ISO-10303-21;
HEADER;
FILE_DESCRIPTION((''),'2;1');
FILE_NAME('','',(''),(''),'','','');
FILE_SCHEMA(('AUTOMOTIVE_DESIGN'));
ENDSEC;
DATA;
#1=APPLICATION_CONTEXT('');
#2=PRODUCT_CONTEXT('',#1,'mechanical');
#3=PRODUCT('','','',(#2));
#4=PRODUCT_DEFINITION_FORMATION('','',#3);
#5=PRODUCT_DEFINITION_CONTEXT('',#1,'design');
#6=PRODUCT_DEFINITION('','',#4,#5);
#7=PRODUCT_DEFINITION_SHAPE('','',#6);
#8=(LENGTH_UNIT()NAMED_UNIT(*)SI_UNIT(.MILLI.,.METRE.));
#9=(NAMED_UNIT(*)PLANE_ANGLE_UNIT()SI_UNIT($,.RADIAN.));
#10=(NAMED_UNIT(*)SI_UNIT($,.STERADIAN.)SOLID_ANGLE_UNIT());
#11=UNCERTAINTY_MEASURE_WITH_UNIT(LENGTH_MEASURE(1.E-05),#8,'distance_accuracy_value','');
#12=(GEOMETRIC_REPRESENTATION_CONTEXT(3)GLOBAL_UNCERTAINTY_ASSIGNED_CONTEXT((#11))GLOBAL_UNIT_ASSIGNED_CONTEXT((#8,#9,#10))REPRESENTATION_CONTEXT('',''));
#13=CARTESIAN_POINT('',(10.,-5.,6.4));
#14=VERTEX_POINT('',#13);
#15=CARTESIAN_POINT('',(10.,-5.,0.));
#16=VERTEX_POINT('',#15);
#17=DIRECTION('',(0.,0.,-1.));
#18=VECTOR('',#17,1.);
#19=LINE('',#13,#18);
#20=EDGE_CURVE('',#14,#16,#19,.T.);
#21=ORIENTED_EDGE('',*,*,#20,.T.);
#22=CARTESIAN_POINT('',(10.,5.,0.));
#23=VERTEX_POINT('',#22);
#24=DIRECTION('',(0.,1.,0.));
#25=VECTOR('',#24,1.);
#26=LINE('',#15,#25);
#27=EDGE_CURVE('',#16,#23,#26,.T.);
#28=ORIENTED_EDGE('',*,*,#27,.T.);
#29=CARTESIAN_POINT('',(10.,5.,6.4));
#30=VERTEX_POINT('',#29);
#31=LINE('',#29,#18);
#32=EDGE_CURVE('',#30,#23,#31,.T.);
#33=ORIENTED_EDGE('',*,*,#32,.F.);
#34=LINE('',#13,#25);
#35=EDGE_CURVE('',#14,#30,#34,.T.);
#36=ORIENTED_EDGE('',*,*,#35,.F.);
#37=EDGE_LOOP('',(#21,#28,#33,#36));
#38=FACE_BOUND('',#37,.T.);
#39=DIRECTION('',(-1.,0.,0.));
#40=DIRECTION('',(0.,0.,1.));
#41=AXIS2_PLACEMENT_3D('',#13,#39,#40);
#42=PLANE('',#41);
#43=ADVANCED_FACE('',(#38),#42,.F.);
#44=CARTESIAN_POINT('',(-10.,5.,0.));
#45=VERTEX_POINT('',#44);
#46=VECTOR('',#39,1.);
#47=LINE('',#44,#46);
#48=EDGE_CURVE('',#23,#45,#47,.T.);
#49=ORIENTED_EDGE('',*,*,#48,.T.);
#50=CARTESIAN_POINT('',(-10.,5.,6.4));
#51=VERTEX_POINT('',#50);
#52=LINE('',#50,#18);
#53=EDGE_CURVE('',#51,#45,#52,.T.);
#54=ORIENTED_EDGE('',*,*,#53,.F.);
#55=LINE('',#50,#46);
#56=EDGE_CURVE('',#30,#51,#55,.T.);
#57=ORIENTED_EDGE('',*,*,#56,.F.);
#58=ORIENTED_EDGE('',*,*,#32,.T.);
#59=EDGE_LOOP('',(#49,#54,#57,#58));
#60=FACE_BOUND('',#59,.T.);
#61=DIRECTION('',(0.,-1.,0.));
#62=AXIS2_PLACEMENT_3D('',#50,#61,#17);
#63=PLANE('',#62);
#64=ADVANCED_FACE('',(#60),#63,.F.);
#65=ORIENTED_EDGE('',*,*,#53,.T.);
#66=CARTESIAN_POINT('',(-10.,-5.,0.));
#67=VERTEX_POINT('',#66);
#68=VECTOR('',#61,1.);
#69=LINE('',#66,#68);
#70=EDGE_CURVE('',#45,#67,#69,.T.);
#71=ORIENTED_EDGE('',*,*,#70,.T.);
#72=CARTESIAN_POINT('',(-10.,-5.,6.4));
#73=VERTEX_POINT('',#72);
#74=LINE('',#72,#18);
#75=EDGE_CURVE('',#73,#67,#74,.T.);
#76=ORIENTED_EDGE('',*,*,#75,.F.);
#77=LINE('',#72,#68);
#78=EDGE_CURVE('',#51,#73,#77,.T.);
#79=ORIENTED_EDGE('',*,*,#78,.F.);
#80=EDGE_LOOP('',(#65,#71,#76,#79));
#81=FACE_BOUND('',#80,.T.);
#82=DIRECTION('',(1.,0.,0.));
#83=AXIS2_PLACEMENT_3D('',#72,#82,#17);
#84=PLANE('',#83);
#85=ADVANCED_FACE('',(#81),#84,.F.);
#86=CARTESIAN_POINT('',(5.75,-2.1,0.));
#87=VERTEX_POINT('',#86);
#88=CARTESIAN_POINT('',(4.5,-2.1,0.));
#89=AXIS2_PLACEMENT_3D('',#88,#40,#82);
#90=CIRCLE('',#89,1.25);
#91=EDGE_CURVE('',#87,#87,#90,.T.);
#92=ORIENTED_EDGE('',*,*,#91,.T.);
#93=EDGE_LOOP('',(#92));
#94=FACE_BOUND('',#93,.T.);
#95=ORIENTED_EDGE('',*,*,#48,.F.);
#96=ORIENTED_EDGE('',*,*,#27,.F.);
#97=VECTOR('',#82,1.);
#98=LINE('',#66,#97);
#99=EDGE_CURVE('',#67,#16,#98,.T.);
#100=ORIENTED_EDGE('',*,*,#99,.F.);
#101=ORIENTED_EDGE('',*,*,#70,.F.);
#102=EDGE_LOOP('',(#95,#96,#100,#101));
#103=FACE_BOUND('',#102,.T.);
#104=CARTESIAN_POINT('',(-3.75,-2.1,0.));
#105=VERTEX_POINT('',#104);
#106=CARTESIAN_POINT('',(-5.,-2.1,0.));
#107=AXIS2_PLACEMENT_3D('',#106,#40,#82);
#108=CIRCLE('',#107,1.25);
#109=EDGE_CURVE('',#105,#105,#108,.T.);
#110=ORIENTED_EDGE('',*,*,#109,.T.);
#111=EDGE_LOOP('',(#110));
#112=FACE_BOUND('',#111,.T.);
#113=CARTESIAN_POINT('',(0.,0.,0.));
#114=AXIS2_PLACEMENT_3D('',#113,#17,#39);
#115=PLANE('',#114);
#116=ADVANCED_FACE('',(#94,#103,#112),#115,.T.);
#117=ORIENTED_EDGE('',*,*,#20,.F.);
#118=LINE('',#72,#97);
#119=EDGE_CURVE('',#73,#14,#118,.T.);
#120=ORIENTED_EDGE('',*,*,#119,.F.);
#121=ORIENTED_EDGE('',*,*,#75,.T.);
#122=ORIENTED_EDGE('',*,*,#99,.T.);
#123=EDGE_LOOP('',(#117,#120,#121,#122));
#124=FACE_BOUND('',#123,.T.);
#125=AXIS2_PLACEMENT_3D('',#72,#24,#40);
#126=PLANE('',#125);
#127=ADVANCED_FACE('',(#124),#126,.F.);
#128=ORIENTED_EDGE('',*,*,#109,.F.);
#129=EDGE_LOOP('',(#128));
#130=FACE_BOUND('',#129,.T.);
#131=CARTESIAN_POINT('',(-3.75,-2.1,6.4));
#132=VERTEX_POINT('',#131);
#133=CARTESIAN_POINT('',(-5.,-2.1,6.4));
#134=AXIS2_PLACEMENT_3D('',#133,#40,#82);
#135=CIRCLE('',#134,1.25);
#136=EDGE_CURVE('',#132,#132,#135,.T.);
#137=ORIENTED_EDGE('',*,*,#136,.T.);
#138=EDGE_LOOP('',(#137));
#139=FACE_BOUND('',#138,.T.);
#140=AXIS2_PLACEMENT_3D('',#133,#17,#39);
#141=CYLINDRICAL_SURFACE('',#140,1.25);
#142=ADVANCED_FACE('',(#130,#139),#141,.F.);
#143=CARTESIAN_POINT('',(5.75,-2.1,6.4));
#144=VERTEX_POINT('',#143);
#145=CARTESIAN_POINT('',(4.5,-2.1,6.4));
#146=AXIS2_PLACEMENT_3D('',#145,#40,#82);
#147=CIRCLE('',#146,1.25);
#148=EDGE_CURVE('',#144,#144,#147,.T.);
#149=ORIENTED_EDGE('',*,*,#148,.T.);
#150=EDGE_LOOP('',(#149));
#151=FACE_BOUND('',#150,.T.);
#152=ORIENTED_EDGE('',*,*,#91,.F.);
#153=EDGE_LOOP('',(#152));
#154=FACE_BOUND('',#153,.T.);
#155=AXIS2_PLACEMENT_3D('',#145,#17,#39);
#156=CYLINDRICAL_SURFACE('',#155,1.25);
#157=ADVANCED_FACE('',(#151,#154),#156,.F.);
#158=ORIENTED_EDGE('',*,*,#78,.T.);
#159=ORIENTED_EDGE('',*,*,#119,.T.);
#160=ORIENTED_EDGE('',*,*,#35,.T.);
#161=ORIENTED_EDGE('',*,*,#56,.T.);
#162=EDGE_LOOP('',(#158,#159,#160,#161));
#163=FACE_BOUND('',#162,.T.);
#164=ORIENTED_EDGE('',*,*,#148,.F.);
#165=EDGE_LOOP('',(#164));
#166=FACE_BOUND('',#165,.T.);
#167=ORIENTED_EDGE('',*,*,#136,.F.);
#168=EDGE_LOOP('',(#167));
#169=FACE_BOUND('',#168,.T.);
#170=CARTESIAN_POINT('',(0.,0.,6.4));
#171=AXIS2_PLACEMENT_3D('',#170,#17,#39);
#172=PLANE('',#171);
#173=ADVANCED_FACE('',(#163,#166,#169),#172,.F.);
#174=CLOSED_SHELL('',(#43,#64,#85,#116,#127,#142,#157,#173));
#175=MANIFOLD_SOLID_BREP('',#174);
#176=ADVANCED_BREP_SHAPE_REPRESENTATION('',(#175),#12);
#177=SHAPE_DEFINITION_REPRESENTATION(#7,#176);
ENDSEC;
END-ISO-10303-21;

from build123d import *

# Parameters (mm, degrees)
SKETCH1_W           = 20
SKETCH1_H           = 10
SKETCH1_R           = 1.25
BOSS_EXTRUDE1_DEPTH = 6.4


with BuildPart() as part:
    # Sketch1 → Boss-Extrude1 (new body)
    with BuildSketch(Plane.XY):
        Rectangle(SKETCH1_W, SKETCH1_H)
        with Locations((-5, -2.1)):
            Circle(SKETCH1_R, mode=Mode.SUBTRACT)
        with Locations((4.5, -2.1)):
            Circle(SKETCH1_R, mode=Mode.SUBTRACT)
    extrude(amount=BOSS_EXTRUDE1_DEPTH)


solid = part.part
